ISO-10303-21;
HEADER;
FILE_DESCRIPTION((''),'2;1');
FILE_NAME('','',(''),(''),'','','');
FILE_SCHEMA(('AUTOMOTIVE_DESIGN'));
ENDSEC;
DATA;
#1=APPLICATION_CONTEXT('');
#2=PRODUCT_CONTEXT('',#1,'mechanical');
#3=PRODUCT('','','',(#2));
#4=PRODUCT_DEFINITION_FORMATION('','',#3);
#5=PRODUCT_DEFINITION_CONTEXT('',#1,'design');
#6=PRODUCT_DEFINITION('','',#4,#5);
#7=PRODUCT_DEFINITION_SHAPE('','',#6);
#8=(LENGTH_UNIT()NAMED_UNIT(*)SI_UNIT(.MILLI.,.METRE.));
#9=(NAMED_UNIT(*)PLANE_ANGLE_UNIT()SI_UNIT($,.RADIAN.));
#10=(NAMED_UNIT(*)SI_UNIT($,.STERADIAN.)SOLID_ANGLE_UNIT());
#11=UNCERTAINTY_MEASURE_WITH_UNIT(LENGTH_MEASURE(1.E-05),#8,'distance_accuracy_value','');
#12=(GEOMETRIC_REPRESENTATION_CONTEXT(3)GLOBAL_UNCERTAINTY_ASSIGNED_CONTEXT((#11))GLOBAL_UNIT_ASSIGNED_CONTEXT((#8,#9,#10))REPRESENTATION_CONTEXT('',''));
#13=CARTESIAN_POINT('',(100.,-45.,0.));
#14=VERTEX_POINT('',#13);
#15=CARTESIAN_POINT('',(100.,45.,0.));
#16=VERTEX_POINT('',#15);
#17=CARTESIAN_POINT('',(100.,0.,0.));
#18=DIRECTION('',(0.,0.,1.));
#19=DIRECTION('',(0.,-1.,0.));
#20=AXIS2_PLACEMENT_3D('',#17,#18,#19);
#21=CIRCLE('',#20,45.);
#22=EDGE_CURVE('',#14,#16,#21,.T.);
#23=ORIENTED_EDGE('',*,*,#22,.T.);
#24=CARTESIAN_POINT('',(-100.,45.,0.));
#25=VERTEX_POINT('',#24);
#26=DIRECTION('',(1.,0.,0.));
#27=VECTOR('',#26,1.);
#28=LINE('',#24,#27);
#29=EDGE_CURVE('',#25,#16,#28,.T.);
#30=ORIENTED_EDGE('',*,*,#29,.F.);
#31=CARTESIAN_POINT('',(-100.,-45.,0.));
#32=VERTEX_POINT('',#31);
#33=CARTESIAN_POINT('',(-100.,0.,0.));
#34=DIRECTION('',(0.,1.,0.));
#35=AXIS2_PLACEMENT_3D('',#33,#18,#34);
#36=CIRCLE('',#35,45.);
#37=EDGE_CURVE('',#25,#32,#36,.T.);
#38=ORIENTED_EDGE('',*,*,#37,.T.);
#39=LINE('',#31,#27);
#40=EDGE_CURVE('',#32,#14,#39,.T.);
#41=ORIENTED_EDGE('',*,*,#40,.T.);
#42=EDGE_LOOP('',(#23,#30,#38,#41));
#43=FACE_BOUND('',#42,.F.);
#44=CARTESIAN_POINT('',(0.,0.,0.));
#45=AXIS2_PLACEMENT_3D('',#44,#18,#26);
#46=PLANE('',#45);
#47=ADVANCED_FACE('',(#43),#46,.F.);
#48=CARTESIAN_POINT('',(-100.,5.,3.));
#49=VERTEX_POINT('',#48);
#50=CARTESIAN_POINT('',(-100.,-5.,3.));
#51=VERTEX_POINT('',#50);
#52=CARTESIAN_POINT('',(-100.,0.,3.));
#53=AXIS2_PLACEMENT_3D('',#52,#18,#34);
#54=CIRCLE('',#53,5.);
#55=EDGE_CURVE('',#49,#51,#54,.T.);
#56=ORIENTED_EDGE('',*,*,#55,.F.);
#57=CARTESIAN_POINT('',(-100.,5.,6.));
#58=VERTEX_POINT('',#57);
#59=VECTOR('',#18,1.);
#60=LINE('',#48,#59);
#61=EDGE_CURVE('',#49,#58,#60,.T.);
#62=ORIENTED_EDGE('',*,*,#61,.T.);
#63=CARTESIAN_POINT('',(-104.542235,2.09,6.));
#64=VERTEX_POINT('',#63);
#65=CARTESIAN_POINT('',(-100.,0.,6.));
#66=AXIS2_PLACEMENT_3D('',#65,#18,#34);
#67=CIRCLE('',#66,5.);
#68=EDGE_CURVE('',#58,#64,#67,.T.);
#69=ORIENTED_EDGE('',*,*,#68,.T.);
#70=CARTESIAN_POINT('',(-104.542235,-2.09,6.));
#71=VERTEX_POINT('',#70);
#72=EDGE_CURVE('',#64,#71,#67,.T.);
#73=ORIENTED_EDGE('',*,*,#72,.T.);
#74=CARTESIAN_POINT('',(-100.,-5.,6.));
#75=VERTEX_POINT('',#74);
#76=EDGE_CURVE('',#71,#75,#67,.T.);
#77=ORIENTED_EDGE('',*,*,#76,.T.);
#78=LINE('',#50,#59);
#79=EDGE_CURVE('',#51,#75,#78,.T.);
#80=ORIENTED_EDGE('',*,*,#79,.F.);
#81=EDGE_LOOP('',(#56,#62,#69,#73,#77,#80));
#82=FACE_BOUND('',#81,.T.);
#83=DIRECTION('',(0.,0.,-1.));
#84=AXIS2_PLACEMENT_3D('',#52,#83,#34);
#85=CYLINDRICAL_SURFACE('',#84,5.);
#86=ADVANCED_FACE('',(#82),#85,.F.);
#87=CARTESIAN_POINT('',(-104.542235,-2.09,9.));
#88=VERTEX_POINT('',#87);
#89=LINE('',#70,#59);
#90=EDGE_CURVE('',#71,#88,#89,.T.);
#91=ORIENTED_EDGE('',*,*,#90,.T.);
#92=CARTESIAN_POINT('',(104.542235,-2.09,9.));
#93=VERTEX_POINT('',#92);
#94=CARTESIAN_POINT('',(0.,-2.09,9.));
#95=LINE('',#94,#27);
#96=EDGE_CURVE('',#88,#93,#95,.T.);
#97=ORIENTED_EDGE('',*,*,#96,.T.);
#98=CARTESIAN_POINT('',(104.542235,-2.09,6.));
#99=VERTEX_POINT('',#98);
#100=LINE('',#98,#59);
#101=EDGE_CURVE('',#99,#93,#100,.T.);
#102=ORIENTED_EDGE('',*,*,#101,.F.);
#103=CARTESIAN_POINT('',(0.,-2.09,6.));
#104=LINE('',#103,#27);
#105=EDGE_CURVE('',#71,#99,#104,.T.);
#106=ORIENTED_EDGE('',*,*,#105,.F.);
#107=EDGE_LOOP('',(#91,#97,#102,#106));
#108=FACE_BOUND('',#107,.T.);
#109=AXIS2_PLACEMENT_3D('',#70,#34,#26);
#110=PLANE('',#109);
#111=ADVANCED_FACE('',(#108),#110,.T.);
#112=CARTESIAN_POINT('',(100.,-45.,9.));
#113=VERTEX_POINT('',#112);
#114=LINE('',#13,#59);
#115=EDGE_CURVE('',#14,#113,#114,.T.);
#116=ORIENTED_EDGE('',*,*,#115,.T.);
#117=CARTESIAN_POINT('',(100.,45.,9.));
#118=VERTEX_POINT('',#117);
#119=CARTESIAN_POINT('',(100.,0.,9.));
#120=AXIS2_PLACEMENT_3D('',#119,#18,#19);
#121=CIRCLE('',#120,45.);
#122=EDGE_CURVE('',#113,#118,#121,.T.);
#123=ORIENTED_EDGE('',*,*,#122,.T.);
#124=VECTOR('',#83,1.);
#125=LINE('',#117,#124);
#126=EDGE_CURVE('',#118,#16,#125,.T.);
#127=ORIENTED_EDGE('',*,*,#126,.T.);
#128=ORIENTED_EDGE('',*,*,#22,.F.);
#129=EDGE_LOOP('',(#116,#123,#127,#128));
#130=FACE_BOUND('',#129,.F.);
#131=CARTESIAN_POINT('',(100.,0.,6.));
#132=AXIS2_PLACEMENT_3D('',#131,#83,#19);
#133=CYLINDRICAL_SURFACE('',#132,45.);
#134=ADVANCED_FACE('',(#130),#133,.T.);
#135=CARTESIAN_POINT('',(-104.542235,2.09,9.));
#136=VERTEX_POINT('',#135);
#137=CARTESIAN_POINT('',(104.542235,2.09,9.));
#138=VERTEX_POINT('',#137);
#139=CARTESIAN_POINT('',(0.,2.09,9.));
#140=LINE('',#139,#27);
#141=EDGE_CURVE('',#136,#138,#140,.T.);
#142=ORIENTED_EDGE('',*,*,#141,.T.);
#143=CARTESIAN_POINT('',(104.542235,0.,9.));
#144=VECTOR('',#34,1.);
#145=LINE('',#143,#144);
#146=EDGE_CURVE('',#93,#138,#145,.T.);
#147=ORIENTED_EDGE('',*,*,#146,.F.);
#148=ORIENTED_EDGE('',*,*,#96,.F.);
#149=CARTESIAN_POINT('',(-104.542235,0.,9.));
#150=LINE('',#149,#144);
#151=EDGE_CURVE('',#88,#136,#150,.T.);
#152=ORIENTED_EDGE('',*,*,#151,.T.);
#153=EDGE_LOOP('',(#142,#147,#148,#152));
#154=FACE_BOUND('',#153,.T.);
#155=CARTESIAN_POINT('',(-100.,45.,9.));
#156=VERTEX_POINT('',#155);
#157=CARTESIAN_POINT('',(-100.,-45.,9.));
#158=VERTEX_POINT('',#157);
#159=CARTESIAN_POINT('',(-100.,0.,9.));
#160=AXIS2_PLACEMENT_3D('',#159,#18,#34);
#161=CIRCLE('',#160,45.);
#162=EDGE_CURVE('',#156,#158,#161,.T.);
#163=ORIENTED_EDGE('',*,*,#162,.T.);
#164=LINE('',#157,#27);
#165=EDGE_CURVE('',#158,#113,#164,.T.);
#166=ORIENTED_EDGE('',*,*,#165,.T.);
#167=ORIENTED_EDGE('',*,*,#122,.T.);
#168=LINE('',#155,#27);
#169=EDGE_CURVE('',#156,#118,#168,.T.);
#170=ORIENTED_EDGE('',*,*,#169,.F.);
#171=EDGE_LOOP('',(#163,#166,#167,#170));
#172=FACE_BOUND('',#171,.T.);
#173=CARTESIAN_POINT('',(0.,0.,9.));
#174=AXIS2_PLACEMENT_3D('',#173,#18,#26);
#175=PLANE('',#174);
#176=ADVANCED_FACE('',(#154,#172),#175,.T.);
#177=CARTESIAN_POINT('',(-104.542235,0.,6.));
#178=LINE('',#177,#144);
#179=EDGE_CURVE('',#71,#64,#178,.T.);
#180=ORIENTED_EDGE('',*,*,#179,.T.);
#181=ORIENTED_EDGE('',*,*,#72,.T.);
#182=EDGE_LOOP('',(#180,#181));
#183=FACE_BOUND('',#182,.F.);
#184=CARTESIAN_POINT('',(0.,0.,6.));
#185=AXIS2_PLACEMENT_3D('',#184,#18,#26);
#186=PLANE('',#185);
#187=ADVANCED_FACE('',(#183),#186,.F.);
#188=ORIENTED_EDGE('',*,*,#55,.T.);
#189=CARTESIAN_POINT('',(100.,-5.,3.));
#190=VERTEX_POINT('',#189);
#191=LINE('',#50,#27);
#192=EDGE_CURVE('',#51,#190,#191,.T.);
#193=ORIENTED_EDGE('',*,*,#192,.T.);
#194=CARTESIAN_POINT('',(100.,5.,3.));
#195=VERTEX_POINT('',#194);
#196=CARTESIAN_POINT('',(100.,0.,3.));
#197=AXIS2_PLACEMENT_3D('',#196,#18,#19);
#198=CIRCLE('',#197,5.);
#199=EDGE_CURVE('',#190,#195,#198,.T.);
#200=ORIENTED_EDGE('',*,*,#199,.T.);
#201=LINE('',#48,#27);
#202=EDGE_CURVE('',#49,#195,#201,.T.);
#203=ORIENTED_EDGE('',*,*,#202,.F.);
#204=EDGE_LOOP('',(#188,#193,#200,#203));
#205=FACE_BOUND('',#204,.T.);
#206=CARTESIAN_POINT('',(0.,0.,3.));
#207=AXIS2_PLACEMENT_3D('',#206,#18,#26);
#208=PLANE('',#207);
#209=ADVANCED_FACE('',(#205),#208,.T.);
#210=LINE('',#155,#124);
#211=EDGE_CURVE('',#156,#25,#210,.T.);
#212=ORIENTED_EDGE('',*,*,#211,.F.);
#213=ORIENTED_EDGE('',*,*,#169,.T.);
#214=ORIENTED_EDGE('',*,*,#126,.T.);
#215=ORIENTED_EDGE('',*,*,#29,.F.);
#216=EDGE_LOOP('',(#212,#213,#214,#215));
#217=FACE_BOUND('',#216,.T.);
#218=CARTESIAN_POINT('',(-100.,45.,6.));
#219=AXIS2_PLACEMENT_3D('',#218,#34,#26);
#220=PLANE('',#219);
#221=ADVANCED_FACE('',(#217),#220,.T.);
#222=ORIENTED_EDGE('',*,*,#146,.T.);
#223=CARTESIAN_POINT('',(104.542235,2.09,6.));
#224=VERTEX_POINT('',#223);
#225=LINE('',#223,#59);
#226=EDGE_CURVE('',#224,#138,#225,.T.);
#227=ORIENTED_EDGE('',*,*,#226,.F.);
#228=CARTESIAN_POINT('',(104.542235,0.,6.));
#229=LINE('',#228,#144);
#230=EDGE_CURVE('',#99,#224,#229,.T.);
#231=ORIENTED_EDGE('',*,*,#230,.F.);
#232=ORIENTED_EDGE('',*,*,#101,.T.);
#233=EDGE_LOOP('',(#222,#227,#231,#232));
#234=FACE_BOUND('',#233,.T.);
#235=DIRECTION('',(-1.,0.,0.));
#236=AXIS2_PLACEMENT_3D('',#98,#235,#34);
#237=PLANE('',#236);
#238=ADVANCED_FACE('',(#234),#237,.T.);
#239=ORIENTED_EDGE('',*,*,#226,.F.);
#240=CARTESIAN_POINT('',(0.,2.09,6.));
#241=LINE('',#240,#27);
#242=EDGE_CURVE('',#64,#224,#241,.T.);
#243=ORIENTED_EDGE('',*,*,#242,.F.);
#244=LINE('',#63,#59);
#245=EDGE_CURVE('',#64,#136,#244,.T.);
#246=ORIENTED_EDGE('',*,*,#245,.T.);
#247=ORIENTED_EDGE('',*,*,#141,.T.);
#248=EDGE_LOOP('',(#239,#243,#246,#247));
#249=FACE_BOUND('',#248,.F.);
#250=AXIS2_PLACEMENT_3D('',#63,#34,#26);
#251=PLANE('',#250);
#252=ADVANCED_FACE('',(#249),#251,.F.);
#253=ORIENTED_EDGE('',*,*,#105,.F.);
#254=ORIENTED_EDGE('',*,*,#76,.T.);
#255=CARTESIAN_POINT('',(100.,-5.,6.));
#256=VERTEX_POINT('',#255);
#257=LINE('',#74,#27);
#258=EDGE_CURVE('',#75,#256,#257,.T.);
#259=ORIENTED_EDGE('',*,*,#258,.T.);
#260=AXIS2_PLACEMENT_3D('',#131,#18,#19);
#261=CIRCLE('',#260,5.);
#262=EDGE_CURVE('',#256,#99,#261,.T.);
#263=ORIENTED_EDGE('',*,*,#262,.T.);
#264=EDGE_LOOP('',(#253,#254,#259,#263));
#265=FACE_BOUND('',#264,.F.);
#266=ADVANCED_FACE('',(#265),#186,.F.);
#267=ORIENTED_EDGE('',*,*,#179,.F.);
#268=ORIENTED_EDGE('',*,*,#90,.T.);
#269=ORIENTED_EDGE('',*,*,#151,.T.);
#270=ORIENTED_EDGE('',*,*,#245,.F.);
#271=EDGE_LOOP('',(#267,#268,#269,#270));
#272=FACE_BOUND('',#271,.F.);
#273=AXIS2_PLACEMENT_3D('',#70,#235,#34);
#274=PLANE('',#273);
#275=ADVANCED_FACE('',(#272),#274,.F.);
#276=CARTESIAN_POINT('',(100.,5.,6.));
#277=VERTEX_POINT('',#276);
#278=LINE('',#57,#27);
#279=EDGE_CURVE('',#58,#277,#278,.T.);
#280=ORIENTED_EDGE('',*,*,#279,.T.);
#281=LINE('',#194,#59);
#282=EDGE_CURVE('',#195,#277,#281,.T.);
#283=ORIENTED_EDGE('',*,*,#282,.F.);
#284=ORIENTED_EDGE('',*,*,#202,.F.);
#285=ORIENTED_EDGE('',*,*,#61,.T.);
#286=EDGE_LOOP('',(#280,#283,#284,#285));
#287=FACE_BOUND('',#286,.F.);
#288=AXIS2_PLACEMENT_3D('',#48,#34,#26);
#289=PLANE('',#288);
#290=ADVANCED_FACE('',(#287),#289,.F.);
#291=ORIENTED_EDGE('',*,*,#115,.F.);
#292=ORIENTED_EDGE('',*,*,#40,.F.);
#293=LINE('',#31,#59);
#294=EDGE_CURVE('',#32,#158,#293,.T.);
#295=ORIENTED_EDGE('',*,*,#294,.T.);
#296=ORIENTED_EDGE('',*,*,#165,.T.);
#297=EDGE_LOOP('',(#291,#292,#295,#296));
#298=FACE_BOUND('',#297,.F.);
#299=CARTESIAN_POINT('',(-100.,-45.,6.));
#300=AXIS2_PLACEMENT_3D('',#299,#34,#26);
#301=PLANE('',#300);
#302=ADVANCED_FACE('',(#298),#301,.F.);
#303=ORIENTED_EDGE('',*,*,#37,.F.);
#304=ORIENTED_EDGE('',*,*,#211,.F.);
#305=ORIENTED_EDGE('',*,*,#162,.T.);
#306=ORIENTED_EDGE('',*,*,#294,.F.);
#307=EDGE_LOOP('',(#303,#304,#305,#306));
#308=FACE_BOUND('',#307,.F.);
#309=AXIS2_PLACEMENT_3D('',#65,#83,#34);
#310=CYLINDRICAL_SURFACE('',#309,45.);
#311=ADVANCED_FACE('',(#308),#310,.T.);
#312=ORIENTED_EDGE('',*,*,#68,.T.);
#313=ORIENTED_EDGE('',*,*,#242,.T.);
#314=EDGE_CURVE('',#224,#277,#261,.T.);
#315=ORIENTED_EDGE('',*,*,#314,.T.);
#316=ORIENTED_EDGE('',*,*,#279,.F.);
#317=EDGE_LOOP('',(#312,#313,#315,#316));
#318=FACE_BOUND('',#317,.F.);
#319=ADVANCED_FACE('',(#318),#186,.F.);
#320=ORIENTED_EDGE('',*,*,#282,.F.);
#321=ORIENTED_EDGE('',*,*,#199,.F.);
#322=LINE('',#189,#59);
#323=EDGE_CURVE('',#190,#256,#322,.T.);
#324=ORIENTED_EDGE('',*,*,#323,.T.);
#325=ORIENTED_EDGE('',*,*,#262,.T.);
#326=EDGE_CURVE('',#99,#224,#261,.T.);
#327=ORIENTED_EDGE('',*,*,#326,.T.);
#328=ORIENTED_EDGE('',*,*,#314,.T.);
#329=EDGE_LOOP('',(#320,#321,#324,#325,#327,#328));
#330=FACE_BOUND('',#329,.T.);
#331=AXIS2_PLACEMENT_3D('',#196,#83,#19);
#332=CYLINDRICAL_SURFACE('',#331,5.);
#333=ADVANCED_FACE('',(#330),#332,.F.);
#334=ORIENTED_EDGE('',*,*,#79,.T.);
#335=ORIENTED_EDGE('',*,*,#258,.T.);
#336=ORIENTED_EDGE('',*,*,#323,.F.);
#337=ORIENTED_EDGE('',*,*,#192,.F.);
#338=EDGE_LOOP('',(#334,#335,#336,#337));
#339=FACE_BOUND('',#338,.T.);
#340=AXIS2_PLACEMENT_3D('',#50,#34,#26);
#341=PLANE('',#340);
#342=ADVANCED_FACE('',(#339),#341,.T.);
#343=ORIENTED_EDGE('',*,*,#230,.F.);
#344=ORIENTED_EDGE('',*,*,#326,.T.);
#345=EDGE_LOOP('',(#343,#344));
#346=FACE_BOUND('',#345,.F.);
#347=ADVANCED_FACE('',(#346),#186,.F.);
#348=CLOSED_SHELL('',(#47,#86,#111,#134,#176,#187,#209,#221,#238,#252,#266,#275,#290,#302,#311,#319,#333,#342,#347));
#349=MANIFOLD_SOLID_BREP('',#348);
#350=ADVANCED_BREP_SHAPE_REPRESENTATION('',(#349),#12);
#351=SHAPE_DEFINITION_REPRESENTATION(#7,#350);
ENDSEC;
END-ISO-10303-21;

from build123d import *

# Parameters (mm, degrees)
PAD_DEPTH    = 3
PAD001_DEPTH = 3
SKETCH002_W  = 209.08447
SKETCH002_H  = 4.18
PAD002_DEPTH = 3


with BuildPart() as part:
    # Sketch → Pad (new body)
    with BuildSketch(Plane.XY):
        with BuildLine():
            ThreePointArc((-100, 45), (-145, 0), (-100, -45))
            Line((-100, -45), (100, -45))
            ThreePointArc((100, -45), (145, 0), (100, 45))
            Line((-100, 45), (100, 45))
        make_face()
    extrude(amount=PAD_DEPTH)

    # Sketch001 (on Face6 of Pad) → Pad001 (join)
    with BuildSketch(Plane.XY.offset(3)):
        with BuildLine():
            ThreePointArc((-100, 45), (-145, 0), (-100, -45))
            Line((-100, -45), (100, -45))
            ThreePointArc((100, -45), (145, 0), (100, 45))
            Line((-100, 45), (100, 45))
        make_face()
        with BuildLine():
            ThreePointArc((-100, 5), (-105, 0), (-100, -5))
            Line((-100, -5), (100, -5))
            ThreePointArc((100, -5), (105, 0), (100, 5))
            Line((-100, 5), (100, 5))
        make_face(mode=Mode.SUBTRACT)
    extrude(amount=PAD001_DEPTH)

    # Sketch002 (on Face9 of Pad001) → Pad002 (join)
    with BuildSketch(Plane.XY.offset(6)):
        with BuildLine():
            ThreePointArc((-100, 45), (-145, 0), (-100, -45))
            Line((-100, -45), (100, -45))
            ThreePointArc((100, -45), (145, 0), (100, 45))
            Line((-100, 45), (100, 45))
        make_face()
        Rectangle(SKETCH002_W, SKETCH002_H, mode=Mode.SUBTRACT)
    extrude(amount=PAD002_DEPTH)


solid = part.part
